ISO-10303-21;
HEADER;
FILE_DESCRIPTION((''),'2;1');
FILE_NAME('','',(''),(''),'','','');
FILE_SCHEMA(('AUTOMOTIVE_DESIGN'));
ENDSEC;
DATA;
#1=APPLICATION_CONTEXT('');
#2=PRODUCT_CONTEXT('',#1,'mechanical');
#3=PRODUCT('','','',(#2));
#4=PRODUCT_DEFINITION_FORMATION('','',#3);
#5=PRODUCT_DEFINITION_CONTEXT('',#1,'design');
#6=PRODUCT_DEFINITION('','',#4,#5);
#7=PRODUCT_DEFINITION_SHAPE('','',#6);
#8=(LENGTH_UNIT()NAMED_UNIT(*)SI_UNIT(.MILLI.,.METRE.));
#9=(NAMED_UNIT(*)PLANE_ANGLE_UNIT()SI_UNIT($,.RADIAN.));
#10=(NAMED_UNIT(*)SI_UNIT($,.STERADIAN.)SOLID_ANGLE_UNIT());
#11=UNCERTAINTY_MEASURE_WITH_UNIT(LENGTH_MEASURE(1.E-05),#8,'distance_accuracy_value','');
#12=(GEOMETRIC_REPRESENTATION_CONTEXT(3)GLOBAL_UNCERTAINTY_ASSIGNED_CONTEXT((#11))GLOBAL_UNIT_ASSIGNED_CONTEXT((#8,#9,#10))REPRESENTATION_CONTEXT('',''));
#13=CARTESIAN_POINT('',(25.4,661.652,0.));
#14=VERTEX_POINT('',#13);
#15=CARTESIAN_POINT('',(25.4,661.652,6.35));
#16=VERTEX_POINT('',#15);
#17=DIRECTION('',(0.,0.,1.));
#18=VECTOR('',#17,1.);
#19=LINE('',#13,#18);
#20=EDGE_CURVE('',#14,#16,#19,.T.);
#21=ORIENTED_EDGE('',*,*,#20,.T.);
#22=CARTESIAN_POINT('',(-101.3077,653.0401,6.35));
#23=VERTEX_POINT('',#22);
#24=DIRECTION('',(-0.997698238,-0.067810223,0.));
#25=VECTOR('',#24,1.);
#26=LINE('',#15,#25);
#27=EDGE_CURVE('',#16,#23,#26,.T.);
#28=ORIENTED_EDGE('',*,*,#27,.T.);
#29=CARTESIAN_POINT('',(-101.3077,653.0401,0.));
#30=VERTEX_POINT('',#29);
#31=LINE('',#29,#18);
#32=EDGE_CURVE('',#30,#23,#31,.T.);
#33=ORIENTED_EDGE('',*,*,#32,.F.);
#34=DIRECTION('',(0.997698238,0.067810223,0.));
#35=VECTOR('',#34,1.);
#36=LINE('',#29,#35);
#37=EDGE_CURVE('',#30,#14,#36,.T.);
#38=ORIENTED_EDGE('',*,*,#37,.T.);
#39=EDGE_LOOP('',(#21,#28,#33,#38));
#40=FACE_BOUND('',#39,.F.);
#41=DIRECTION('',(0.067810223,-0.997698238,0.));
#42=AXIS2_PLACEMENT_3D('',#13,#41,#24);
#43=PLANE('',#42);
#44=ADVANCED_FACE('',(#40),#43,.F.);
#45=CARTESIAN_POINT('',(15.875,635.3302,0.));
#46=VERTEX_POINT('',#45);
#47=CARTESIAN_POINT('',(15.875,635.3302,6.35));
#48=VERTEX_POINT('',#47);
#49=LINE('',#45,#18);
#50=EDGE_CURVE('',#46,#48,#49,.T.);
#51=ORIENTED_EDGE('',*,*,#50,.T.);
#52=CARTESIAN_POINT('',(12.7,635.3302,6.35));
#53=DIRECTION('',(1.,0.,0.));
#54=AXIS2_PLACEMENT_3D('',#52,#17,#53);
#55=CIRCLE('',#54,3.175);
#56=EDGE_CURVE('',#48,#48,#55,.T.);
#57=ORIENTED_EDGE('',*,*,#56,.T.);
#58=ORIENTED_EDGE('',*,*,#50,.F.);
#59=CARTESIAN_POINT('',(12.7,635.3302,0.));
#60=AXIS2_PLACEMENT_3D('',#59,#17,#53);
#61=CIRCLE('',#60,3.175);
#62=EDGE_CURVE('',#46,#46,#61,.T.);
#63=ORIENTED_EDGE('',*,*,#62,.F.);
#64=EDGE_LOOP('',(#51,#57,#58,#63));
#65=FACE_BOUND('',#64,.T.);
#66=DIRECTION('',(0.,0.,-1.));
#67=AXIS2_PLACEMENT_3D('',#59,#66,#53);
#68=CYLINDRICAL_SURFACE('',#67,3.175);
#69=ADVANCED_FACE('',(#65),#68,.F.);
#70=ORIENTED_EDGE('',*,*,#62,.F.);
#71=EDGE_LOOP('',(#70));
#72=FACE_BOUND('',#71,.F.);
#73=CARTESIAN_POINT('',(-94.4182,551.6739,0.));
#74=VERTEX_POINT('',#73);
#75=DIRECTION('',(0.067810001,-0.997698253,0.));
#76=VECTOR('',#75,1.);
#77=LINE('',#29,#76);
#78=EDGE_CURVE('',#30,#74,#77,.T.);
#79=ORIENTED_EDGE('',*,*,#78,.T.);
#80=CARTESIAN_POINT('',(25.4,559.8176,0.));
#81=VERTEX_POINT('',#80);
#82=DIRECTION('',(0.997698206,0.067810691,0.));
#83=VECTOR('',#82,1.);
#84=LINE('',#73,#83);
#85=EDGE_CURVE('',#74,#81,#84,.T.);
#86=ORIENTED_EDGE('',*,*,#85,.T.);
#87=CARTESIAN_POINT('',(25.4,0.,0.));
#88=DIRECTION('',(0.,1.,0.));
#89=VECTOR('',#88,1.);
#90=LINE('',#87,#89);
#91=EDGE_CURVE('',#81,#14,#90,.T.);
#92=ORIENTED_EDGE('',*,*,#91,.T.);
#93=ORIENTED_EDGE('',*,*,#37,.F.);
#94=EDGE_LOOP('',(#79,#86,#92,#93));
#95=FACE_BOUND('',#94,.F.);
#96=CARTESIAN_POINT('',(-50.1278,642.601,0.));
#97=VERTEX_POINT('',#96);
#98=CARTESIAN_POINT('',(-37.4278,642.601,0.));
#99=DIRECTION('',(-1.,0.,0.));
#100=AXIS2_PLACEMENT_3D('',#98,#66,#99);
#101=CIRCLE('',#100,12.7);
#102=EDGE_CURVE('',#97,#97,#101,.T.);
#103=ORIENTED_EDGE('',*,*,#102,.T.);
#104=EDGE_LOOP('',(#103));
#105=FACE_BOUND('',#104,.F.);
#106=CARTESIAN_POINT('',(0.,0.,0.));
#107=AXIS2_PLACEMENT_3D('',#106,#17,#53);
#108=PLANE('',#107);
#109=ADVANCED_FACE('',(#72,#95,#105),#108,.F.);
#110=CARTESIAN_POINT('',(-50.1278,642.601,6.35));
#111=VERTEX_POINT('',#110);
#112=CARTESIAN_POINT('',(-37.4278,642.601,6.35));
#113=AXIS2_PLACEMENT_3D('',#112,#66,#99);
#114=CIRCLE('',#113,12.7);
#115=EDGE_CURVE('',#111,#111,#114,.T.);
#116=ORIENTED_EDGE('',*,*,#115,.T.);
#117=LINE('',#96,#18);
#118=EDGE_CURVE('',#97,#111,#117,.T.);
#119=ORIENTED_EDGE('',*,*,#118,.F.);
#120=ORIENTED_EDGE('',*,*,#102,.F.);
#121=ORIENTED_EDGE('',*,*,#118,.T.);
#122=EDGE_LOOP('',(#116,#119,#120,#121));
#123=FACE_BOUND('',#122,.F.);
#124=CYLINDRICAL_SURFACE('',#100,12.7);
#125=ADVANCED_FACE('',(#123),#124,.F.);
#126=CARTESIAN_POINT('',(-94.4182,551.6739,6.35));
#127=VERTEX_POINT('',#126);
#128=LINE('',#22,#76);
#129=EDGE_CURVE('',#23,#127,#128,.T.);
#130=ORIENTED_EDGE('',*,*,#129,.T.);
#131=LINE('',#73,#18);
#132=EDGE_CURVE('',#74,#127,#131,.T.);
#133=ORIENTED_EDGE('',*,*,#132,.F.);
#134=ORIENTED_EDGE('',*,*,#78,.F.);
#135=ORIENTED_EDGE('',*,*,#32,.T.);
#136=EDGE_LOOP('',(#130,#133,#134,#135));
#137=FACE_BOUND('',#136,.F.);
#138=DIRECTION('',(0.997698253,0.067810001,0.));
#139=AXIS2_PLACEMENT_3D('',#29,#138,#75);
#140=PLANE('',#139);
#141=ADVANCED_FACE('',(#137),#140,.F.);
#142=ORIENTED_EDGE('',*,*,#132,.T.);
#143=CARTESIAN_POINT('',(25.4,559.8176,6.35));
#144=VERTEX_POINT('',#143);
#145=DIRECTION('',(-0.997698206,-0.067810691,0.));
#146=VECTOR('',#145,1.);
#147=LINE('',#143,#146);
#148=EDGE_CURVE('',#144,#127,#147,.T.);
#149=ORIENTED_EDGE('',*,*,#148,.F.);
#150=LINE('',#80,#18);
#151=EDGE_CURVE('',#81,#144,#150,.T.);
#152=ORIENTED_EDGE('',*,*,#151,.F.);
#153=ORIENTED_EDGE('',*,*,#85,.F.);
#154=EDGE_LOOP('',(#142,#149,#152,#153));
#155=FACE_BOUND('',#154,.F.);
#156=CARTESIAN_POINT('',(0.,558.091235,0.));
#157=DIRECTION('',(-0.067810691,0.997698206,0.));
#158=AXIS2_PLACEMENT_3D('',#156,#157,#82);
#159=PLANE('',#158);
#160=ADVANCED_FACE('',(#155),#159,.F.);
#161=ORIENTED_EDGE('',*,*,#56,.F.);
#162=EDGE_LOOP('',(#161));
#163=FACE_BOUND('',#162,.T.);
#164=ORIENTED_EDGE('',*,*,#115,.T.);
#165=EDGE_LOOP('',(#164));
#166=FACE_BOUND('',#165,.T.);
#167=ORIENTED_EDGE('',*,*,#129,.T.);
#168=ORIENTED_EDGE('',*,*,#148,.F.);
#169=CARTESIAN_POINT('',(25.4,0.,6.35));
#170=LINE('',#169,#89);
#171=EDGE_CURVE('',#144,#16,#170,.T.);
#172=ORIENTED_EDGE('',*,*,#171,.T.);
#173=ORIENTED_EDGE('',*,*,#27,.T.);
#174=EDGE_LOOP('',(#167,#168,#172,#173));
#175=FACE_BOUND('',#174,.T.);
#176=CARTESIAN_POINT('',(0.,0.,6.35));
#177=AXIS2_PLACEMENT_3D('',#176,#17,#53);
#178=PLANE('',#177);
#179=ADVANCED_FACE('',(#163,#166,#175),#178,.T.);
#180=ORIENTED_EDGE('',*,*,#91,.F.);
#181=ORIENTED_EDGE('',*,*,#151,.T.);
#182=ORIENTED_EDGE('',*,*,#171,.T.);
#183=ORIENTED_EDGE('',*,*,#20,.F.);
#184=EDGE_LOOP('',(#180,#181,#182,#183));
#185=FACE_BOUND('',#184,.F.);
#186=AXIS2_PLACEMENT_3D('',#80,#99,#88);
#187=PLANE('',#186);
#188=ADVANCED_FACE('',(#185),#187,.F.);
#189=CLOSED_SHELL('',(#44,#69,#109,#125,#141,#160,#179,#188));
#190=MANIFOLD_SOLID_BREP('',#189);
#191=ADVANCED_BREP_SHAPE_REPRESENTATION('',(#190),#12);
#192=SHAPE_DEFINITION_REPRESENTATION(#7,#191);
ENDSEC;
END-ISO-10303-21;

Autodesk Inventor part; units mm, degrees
ref_plane "YZ Plane" through (0, 0, 0) normal (1, 0, 0) x (0, 1, 0)
ref_plane "XZ Plane" through (0, 0, 0) normal (0, 1, 0) x (-1, 0, 0)
ref_plane "XY Plane" through (0, 0, 0) normal (0, 0, 1) x (1, 0, 0)
sketch "Sketch1" plane through (0, 0, 0) normal (0, 0, 1) x (1, 0, 0)
  circle A0 centre (12.7, 635.3302) radius 3.175 projected
  circle A1 centre (12.7, 635.3302) radius 3.175 projected
  circle A2 centre (12.7, 723.9) radius 6.35 projected
  circle A3 centre (12.7, 12.7) radius 6.35 projected
  circle A4 centre (12.7, 368.3) radius 6.35 projected
  line L0 (25.4, 0) -> (0, 0) projected
  line L1 (0, 0) -> (0, 736.6) projected
  line L2 (25.4, 736.6) -> (0, 736.6) projected
  line L3 (25.4, 0) -> (25.4, 736.6) projected
  line L4 (25.4, 661.652) -> (-101.3077, 653.0401)
  line L5 (-101.3077, 653.0401) -> (-94.4182, 551.6739)
  line L6 (-94.4182, 551.6739) -> (25.4, 559.8176)
  line L7 (25.4, 661.652) -> (25.4, 559.8176)
  circle A5 centre (12.7, 635.3302) radius 3.175
  dimension "d0" = 101.6
  dimension "d1" = 127
  dimension "d2" = 25.4
extrude "Extrusion1" add sketch "Sketch1" along normal blind 6.35 contours L6 L1 L4 L3 | L6 L5 L4 L1
sketch "Sketch2" plane through (0, 0, 0) normal (0, 0, -1) x (-1, 0, 0)
  circle A0 centre (37.4278, 642.601) radius 12.7 projected
  point P0 (0, 0)
extrude "Extrusion2" cut sketch "Sketch2" against normal through all
properties part number "2018 Intake Plate"
